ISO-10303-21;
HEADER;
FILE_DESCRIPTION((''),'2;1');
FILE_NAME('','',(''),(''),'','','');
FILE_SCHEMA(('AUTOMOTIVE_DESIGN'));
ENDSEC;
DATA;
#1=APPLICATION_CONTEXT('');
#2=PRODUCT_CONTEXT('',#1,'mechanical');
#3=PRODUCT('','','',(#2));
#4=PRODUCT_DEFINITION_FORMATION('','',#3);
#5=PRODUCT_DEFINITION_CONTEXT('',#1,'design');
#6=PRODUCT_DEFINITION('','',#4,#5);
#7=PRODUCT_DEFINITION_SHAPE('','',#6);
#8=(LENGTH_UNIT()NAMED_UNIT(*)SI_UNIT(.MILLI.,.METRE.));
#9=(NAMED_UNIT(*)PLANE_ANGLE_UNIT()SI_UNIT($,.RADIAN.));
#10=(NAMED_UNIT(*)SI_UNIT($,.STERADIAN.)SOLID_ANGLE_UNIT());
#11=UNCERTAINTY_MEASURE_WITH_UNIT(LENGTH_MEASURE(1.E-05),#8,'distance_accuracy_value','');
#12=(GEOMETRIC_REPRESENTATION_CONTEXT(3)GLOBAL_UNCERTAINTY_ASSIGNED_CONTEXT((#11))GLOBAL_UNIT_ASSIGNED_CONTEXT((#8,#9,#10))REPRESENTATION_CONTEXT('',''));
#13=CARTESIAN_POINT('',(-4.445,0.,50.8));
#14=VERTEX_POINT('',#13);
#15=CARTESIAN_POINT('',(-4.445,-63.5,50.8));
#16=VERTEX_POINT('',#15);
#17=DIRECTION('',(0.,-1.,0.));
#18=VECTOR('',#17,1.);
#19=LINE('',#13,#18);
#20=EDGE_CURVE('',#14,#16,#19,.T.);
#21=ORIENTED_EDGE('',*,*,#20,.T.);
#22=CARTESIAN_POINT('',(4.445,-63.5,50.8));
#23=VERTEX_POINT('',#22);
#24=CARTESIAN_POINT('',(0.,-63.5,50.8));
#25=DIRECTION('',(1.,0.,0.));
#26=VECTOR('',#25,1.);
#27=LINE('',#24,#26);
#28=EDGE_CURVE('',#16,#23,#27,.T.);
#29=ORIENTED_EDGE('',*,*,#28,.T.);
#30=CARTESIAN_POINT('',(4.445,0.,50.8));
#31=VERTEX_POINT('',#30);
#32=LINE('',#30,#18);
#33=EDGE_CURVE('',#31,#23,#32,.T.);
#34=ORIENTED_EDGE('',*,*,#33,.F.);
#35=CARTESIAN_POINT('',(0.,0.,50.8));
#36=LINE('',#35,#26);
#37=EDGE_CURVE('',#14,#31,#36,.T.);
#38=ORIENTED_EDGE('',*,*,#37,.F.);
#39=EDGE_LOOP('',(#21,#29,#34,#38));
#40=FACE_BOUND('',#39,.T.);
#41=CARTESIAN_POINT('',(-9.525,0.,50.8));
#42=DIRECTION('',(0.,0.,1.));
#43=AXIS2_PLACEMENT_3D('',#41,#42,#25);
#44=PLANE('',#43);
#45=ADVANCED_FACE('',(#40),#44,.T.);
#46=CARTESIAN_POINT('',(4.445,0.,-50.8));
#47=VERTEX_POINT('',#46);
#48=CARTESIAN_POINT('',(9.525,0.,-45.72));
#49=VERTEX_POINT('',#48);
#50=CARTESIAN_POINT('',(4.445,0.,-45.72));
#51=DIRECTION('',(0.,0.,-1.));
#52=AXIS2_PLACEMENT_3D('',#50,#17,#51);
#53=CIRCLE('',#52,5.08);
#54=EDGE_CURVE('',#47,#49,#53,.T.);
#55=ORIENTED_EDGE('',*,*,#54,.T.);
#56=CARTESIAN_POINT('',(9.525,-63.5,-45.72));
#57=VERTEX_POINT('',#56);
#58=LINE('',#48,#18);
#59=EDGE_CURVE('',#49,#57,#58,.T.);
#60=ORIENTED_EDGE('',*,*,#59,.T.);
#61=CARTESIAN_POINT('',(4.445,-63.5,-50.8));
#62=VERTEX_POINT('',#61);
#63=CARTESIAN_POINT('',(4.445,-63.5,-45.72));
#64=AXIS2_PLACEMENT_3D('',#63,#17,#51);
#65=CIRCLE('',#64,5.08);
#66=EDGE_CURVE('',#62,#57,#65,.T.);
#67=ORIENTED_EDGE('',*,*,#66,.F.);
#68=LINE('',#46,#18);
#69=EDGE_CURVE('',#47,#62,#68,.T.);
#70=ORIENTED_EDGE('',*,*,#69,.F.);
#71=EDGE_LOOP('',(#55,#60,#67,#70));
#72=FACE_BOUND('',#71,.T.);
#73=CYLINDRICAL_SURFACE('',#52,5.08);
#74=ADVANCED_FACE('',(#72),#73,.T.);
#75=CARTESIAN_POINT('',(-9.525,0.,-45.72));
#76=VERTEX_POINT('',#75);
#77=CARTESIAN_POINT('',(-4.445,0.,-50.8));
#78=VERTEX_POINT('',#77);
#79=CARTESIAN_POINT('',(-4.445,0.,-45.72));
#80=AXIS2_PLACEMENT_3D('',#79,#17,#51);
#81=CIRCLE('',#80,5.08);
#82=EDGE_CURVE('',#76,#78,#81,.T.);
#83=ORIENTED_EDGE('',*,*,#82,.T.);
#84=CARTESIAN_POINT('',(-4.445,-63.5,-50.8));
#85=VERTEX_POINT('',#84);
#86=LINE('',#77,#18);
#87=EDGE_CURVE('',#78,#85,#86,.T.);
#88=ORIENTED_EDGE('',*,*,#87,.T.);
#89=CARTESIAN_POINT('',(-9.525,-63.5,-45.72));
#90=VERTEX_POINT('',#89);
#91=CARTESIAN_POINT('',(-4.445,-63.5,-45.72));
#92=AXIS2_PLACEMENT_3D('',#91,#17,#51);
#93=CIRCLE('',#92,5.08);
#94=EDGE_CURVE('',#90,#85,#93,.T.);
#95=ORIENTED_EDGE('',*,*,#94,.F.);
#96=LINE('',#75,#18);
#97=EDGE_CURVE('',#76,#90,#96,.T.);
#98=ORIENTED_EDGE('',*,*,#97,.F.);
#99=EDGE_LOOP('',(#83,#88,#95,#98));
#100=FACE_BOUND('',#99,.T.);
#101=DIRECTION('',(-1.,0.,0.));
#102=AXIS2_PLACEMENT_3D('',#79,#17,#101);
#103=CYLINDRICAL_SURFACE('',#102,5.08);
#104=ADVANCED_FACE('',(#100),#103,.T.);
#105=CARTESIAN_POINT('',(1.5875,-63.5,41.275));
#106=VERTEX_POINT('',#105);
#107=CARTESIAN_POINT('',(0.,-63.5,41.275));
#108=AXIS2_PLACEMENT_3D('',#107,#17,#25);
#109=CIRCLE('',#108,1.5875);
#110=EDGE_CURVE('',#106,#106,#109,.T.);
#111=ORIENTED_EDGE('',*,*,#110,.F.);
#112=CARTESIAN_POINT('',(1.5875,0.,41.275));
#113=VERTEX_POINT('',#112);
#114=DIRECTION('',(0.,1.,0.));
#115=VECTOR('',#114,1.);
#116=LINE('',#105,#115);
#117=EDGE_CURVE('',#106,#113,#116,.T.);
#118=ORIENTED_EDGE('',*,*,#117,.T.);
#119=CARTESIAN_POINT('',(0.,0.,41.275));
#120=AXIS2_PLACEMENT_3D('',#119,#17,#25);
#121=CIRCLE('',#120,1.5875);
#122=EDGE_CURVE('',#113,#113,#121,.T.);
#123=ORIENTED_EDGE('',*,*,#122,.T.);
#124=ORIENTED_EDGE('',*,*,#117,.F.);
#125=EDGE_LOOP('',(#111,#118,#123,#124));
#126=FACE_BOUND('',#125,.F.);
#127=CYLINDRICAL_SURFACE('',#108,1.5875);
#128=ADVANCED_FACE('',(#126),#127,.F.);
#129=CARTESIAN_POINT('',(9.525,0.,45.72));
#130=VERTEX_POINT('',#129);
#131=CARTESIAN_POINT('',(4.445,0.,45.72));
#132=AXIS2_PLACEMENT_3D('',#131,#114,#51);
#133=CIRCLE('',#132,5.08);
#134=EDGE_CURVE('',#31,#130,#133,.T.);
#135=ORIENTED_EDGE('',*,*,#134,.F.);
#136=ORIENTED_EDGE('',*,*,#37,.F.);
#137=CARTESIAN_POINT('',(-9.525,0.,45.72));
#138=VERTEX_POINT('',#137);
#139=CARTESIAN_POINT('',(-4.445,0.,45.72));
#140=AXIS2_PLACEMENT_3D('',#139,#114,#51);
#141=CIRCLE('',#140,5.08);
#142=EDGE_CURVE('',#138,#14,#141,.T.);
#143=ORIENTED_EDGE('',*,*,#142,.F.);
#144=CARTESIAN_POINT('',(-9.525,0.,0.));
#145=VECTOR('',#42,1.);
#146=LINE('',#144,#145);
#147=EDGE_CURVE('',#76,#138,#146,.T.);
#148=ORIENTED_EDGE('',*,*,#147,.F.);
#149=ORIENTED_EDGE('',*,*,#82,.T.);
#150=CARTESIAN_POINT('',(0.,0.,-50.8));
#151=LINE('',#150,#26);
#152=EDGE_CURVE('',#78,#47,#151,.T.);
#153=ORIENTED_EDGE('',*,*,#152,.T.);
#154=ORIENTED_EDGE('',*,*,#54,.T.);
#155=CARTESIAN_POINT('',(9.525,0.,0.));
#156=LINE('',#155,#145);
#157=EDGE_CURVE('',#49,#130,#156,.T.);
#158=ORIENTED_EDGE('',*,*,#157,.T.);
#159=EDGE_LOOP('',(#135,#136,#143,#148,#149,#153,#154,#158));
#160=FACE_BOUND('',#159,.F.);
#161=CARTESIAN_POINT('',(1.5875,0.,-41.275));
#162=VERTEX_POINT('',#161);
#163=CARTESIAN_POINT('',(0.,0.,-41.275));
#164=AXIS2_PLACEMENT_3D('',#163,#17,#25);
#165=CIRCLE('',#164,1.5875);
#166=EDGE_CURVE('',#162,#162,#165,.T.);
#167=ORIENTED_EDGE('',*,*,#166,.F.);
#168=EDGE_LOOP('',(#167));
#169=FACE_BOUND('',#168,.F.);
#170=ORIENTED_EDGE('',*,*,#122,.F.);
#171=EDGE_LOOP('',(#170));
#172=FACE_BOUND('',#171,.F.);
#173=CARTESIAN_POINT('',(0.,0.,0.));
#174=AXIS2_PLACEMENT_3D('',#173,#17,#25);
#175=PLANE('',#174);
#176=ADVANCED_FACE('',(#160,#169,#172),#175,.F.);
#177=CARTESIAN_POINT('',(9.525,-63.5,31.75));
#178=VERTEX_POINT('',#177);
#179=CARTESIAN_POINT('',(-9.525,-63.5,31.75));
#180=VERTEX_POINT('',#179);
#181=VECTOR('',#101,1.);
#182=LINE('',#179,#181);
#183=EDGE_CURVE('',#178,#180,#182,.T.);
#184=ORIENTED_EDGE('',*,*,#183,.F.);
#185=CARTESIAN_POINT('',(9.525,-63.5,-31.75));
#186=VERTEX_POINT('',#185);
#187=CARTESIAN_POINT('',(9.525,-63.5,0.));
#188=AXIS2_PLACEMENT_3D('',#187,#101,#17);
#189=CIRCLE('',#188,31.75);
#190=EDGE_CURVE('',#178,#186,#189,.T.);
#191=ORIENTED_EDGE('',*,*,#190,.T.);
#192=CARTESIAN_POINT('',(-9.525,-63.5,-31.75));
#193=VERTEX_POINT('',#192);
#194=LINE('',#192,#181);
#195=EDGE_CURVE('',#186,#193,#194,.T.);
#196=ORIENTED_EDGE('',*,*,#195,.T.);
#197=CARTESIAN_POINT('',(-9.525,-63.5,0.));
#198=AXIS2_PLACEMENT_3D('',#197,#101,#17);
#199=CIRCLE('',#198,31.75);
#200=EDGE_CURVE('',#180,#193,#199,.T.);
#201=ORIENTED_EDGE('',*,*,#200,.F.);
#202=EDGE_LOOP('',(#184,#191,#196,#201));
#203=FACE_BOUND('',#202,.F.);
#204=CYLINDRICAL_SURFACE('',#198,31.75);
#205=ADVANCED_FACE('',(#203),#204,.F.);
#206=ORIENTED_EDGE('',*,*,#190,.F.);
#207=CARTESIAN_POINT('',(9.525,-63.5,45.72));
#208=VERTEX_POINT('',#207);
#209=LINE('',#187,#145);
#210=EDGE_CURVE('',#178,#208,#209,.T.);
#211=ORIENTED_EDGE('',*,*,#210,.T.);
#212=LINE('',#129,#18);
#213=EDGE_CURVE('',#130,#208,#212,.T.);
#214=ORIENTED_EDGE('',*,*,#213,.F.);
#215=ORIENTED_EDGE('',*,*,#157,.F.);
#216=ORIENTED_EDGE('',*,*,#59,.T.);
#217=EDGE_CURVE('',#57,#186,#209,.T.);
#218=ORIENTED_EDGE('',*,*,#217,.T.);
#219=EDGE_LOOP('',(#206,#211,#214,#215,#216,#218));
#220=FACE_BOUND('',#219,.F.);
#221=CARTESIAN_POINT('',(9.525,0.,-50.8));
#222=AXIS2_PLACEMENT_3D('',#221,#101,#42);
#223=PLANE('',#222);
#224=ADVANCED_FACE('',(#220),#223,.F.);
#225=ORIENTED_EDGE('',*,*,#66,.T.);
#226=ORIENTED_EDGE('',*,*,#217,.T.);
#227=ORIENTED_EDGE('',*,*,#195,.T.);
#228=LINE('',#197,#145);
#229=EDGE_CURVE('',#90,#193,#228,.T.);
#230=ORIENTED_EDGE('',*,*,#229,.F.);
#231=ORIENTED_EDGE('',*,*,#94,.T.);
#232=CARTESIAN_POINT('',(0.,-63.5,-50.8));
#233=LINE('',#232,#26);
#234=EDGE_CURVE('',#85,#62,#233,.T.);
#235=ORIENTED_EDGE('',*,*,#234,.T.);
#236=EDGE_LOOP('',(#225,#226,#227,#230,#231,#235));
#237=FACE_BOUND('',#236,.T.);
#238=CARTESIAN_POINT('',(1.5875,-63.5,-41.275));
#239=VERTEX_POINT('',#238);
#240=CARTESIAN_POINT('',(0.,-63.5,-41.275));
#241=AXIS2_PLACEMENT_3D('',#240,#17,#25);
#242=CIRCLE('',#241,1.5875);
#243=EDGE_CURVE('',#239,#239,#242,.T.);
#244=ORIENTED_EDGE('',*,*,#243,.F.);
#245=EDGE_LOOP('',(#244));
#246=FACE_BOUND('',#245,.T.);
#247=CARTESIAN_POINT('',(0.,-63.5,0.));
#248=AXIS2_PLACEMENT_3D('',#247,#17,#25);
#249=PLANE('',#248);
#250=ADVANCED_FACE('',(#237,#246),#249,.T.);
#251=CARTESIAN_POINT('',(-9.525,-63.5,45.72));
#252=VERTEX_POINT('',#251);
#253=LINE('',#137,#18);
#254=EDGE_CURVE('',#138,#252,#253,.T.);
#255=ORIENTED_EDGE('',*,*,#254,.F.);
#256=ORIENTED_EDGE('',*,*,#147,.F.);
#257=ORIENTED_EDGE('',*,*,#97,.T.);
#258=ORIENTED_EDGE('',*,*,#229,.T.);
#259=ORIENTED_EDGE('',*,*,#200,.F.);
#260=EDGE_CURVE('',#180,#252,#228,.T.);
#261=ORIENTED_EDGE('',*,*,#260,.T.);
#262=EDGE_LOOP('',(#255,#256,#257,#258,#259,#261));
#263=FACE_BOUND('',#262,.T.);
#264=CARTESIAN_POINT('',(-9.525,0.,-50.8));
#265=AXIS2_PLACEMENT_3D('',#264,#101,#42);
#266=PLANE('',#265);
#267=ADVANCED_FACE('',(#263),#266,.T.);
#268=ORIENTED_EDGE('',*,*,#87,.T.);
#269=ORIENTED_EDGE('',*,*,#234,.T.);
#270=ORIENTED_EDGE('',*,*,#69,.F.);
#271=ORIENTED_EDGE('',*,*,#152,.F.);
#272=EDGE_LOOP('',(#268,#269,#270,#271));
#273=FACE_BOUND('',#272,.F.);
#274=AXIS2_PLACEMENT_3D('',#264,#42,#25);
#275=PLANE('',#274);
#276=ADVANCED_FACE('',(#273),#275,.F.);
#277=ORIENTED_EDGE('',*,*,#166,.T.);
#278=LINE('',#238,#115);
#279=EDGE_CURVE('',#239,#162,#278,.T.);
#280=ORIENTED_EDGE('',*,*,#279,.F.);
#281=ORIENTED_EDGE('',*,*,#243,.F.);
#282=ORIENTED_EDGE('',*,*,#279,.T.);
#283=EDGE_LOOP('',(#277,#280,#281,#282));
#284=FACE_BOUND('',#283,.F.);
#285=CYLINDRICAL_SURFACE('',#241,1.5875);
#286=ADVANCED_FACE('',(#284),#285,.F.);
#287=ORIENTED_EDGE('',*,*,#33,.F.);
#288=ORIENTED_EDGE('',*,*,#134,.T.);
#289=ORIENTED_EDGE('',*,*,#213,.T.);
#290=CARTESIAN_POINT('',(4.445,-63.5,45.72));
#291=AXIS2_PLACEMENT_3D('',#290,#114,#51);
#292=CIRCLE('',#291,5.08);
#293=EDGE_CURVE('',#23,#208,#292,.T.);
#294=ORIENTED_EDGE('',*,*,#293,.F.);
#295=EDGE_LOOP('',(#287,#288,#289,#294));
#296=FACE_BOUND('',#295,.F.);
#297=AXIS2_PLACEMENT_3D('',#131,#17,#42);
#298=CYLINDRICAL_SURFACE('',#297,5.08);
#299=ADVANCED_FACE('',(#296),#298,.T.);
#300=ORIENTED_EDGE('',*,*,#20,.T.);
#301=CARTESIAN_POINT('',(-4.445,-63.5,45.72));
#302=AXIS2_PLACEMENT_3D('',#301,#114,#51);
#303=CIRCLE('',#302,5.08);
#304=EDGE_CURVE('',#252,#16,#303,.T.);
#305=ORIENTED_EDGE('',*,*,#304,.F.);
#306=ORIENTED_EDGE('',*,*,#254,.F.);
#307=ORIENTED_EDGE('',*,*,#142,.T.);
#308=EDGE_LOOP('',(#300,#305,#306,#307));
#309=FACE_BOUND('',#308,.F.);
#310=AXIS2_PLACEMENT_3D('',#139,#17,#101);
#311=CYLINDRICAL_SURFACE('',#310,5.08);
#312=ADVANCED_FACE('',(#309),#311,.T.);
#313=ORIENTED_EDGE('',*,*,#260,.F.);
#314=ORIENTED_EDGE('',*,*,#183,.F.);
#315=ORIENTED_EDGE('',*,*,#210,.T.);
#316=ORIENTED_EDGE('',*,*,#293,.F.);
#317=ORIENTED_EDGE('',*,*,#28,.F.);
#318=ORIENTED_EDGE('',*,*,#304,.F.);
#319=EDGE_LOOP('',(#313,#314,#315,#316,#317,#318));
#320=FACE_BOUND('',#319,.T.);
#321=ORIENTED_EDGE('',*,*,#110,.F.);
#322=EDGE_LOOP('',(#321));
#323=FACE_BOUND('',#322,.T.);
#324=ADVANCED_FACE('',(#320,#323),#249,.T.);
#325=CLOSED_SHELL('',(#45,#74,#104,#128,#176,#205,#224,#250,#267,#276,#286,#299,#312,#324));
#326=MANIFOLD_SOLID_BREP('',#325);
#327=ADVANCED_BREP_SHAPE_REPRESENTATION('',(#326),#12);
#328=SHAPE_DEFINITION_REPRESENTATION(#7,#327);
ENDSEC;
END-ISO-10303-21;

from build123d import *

# Parameters (mm, degrees)
F0_W     = 19.05
F0_H     = 101.6
F1_DEPTH = 63.5
F3_R     = 31.75
F4_DEPTH = 19.05
F6_R     = 1.5875
F7_DEPTH = 63.5
F8_R     = 5.08


with BuildPart() as f1:
    # F0 (on Front) → F1 (new body)
    with BuildSketch(Plane.XZ):
        Rectangle(F0_W, F0_H)
    extrude(amount=F1_DEPTH)

    # F3 (on offset) → F4 (cut)
    with BuildSketch(Plane(origin=(-9.525, 0, 0), x_dir=(0, -1, 0), z_dir=(-1, 0, 0))):
        with Locations((63.5, 0)):
            Circle(F3_R)
    extrude(amount=-F4_DEPTH, mode=Mode.SUBTRACT)

    # F6 (on offset) → F7 (cut)
    with BuildSketch(Plane.XZ.offset(63.5)):
        with Locations((0, 41.275)):
            Circle(F6_R)
        with Locations((0, -41.275)):
            Circle(F6_R)
    extrude(amount=-F7_DEPTH, mode=Mode.SUBTRACT)

    # F8
    f8_edges = [f1.edges().sort_by_distance(p)[0] for p in [
        (-9.525, -31.75, 50.8),
        (-9.525, -31.75, -50.8),
        (9.525, -31.75, -50.8),
        (9.525, -31.75, 50.8),
    ]]
    fillet(f8_edges, radius=F8_R)


solid = f1.part
